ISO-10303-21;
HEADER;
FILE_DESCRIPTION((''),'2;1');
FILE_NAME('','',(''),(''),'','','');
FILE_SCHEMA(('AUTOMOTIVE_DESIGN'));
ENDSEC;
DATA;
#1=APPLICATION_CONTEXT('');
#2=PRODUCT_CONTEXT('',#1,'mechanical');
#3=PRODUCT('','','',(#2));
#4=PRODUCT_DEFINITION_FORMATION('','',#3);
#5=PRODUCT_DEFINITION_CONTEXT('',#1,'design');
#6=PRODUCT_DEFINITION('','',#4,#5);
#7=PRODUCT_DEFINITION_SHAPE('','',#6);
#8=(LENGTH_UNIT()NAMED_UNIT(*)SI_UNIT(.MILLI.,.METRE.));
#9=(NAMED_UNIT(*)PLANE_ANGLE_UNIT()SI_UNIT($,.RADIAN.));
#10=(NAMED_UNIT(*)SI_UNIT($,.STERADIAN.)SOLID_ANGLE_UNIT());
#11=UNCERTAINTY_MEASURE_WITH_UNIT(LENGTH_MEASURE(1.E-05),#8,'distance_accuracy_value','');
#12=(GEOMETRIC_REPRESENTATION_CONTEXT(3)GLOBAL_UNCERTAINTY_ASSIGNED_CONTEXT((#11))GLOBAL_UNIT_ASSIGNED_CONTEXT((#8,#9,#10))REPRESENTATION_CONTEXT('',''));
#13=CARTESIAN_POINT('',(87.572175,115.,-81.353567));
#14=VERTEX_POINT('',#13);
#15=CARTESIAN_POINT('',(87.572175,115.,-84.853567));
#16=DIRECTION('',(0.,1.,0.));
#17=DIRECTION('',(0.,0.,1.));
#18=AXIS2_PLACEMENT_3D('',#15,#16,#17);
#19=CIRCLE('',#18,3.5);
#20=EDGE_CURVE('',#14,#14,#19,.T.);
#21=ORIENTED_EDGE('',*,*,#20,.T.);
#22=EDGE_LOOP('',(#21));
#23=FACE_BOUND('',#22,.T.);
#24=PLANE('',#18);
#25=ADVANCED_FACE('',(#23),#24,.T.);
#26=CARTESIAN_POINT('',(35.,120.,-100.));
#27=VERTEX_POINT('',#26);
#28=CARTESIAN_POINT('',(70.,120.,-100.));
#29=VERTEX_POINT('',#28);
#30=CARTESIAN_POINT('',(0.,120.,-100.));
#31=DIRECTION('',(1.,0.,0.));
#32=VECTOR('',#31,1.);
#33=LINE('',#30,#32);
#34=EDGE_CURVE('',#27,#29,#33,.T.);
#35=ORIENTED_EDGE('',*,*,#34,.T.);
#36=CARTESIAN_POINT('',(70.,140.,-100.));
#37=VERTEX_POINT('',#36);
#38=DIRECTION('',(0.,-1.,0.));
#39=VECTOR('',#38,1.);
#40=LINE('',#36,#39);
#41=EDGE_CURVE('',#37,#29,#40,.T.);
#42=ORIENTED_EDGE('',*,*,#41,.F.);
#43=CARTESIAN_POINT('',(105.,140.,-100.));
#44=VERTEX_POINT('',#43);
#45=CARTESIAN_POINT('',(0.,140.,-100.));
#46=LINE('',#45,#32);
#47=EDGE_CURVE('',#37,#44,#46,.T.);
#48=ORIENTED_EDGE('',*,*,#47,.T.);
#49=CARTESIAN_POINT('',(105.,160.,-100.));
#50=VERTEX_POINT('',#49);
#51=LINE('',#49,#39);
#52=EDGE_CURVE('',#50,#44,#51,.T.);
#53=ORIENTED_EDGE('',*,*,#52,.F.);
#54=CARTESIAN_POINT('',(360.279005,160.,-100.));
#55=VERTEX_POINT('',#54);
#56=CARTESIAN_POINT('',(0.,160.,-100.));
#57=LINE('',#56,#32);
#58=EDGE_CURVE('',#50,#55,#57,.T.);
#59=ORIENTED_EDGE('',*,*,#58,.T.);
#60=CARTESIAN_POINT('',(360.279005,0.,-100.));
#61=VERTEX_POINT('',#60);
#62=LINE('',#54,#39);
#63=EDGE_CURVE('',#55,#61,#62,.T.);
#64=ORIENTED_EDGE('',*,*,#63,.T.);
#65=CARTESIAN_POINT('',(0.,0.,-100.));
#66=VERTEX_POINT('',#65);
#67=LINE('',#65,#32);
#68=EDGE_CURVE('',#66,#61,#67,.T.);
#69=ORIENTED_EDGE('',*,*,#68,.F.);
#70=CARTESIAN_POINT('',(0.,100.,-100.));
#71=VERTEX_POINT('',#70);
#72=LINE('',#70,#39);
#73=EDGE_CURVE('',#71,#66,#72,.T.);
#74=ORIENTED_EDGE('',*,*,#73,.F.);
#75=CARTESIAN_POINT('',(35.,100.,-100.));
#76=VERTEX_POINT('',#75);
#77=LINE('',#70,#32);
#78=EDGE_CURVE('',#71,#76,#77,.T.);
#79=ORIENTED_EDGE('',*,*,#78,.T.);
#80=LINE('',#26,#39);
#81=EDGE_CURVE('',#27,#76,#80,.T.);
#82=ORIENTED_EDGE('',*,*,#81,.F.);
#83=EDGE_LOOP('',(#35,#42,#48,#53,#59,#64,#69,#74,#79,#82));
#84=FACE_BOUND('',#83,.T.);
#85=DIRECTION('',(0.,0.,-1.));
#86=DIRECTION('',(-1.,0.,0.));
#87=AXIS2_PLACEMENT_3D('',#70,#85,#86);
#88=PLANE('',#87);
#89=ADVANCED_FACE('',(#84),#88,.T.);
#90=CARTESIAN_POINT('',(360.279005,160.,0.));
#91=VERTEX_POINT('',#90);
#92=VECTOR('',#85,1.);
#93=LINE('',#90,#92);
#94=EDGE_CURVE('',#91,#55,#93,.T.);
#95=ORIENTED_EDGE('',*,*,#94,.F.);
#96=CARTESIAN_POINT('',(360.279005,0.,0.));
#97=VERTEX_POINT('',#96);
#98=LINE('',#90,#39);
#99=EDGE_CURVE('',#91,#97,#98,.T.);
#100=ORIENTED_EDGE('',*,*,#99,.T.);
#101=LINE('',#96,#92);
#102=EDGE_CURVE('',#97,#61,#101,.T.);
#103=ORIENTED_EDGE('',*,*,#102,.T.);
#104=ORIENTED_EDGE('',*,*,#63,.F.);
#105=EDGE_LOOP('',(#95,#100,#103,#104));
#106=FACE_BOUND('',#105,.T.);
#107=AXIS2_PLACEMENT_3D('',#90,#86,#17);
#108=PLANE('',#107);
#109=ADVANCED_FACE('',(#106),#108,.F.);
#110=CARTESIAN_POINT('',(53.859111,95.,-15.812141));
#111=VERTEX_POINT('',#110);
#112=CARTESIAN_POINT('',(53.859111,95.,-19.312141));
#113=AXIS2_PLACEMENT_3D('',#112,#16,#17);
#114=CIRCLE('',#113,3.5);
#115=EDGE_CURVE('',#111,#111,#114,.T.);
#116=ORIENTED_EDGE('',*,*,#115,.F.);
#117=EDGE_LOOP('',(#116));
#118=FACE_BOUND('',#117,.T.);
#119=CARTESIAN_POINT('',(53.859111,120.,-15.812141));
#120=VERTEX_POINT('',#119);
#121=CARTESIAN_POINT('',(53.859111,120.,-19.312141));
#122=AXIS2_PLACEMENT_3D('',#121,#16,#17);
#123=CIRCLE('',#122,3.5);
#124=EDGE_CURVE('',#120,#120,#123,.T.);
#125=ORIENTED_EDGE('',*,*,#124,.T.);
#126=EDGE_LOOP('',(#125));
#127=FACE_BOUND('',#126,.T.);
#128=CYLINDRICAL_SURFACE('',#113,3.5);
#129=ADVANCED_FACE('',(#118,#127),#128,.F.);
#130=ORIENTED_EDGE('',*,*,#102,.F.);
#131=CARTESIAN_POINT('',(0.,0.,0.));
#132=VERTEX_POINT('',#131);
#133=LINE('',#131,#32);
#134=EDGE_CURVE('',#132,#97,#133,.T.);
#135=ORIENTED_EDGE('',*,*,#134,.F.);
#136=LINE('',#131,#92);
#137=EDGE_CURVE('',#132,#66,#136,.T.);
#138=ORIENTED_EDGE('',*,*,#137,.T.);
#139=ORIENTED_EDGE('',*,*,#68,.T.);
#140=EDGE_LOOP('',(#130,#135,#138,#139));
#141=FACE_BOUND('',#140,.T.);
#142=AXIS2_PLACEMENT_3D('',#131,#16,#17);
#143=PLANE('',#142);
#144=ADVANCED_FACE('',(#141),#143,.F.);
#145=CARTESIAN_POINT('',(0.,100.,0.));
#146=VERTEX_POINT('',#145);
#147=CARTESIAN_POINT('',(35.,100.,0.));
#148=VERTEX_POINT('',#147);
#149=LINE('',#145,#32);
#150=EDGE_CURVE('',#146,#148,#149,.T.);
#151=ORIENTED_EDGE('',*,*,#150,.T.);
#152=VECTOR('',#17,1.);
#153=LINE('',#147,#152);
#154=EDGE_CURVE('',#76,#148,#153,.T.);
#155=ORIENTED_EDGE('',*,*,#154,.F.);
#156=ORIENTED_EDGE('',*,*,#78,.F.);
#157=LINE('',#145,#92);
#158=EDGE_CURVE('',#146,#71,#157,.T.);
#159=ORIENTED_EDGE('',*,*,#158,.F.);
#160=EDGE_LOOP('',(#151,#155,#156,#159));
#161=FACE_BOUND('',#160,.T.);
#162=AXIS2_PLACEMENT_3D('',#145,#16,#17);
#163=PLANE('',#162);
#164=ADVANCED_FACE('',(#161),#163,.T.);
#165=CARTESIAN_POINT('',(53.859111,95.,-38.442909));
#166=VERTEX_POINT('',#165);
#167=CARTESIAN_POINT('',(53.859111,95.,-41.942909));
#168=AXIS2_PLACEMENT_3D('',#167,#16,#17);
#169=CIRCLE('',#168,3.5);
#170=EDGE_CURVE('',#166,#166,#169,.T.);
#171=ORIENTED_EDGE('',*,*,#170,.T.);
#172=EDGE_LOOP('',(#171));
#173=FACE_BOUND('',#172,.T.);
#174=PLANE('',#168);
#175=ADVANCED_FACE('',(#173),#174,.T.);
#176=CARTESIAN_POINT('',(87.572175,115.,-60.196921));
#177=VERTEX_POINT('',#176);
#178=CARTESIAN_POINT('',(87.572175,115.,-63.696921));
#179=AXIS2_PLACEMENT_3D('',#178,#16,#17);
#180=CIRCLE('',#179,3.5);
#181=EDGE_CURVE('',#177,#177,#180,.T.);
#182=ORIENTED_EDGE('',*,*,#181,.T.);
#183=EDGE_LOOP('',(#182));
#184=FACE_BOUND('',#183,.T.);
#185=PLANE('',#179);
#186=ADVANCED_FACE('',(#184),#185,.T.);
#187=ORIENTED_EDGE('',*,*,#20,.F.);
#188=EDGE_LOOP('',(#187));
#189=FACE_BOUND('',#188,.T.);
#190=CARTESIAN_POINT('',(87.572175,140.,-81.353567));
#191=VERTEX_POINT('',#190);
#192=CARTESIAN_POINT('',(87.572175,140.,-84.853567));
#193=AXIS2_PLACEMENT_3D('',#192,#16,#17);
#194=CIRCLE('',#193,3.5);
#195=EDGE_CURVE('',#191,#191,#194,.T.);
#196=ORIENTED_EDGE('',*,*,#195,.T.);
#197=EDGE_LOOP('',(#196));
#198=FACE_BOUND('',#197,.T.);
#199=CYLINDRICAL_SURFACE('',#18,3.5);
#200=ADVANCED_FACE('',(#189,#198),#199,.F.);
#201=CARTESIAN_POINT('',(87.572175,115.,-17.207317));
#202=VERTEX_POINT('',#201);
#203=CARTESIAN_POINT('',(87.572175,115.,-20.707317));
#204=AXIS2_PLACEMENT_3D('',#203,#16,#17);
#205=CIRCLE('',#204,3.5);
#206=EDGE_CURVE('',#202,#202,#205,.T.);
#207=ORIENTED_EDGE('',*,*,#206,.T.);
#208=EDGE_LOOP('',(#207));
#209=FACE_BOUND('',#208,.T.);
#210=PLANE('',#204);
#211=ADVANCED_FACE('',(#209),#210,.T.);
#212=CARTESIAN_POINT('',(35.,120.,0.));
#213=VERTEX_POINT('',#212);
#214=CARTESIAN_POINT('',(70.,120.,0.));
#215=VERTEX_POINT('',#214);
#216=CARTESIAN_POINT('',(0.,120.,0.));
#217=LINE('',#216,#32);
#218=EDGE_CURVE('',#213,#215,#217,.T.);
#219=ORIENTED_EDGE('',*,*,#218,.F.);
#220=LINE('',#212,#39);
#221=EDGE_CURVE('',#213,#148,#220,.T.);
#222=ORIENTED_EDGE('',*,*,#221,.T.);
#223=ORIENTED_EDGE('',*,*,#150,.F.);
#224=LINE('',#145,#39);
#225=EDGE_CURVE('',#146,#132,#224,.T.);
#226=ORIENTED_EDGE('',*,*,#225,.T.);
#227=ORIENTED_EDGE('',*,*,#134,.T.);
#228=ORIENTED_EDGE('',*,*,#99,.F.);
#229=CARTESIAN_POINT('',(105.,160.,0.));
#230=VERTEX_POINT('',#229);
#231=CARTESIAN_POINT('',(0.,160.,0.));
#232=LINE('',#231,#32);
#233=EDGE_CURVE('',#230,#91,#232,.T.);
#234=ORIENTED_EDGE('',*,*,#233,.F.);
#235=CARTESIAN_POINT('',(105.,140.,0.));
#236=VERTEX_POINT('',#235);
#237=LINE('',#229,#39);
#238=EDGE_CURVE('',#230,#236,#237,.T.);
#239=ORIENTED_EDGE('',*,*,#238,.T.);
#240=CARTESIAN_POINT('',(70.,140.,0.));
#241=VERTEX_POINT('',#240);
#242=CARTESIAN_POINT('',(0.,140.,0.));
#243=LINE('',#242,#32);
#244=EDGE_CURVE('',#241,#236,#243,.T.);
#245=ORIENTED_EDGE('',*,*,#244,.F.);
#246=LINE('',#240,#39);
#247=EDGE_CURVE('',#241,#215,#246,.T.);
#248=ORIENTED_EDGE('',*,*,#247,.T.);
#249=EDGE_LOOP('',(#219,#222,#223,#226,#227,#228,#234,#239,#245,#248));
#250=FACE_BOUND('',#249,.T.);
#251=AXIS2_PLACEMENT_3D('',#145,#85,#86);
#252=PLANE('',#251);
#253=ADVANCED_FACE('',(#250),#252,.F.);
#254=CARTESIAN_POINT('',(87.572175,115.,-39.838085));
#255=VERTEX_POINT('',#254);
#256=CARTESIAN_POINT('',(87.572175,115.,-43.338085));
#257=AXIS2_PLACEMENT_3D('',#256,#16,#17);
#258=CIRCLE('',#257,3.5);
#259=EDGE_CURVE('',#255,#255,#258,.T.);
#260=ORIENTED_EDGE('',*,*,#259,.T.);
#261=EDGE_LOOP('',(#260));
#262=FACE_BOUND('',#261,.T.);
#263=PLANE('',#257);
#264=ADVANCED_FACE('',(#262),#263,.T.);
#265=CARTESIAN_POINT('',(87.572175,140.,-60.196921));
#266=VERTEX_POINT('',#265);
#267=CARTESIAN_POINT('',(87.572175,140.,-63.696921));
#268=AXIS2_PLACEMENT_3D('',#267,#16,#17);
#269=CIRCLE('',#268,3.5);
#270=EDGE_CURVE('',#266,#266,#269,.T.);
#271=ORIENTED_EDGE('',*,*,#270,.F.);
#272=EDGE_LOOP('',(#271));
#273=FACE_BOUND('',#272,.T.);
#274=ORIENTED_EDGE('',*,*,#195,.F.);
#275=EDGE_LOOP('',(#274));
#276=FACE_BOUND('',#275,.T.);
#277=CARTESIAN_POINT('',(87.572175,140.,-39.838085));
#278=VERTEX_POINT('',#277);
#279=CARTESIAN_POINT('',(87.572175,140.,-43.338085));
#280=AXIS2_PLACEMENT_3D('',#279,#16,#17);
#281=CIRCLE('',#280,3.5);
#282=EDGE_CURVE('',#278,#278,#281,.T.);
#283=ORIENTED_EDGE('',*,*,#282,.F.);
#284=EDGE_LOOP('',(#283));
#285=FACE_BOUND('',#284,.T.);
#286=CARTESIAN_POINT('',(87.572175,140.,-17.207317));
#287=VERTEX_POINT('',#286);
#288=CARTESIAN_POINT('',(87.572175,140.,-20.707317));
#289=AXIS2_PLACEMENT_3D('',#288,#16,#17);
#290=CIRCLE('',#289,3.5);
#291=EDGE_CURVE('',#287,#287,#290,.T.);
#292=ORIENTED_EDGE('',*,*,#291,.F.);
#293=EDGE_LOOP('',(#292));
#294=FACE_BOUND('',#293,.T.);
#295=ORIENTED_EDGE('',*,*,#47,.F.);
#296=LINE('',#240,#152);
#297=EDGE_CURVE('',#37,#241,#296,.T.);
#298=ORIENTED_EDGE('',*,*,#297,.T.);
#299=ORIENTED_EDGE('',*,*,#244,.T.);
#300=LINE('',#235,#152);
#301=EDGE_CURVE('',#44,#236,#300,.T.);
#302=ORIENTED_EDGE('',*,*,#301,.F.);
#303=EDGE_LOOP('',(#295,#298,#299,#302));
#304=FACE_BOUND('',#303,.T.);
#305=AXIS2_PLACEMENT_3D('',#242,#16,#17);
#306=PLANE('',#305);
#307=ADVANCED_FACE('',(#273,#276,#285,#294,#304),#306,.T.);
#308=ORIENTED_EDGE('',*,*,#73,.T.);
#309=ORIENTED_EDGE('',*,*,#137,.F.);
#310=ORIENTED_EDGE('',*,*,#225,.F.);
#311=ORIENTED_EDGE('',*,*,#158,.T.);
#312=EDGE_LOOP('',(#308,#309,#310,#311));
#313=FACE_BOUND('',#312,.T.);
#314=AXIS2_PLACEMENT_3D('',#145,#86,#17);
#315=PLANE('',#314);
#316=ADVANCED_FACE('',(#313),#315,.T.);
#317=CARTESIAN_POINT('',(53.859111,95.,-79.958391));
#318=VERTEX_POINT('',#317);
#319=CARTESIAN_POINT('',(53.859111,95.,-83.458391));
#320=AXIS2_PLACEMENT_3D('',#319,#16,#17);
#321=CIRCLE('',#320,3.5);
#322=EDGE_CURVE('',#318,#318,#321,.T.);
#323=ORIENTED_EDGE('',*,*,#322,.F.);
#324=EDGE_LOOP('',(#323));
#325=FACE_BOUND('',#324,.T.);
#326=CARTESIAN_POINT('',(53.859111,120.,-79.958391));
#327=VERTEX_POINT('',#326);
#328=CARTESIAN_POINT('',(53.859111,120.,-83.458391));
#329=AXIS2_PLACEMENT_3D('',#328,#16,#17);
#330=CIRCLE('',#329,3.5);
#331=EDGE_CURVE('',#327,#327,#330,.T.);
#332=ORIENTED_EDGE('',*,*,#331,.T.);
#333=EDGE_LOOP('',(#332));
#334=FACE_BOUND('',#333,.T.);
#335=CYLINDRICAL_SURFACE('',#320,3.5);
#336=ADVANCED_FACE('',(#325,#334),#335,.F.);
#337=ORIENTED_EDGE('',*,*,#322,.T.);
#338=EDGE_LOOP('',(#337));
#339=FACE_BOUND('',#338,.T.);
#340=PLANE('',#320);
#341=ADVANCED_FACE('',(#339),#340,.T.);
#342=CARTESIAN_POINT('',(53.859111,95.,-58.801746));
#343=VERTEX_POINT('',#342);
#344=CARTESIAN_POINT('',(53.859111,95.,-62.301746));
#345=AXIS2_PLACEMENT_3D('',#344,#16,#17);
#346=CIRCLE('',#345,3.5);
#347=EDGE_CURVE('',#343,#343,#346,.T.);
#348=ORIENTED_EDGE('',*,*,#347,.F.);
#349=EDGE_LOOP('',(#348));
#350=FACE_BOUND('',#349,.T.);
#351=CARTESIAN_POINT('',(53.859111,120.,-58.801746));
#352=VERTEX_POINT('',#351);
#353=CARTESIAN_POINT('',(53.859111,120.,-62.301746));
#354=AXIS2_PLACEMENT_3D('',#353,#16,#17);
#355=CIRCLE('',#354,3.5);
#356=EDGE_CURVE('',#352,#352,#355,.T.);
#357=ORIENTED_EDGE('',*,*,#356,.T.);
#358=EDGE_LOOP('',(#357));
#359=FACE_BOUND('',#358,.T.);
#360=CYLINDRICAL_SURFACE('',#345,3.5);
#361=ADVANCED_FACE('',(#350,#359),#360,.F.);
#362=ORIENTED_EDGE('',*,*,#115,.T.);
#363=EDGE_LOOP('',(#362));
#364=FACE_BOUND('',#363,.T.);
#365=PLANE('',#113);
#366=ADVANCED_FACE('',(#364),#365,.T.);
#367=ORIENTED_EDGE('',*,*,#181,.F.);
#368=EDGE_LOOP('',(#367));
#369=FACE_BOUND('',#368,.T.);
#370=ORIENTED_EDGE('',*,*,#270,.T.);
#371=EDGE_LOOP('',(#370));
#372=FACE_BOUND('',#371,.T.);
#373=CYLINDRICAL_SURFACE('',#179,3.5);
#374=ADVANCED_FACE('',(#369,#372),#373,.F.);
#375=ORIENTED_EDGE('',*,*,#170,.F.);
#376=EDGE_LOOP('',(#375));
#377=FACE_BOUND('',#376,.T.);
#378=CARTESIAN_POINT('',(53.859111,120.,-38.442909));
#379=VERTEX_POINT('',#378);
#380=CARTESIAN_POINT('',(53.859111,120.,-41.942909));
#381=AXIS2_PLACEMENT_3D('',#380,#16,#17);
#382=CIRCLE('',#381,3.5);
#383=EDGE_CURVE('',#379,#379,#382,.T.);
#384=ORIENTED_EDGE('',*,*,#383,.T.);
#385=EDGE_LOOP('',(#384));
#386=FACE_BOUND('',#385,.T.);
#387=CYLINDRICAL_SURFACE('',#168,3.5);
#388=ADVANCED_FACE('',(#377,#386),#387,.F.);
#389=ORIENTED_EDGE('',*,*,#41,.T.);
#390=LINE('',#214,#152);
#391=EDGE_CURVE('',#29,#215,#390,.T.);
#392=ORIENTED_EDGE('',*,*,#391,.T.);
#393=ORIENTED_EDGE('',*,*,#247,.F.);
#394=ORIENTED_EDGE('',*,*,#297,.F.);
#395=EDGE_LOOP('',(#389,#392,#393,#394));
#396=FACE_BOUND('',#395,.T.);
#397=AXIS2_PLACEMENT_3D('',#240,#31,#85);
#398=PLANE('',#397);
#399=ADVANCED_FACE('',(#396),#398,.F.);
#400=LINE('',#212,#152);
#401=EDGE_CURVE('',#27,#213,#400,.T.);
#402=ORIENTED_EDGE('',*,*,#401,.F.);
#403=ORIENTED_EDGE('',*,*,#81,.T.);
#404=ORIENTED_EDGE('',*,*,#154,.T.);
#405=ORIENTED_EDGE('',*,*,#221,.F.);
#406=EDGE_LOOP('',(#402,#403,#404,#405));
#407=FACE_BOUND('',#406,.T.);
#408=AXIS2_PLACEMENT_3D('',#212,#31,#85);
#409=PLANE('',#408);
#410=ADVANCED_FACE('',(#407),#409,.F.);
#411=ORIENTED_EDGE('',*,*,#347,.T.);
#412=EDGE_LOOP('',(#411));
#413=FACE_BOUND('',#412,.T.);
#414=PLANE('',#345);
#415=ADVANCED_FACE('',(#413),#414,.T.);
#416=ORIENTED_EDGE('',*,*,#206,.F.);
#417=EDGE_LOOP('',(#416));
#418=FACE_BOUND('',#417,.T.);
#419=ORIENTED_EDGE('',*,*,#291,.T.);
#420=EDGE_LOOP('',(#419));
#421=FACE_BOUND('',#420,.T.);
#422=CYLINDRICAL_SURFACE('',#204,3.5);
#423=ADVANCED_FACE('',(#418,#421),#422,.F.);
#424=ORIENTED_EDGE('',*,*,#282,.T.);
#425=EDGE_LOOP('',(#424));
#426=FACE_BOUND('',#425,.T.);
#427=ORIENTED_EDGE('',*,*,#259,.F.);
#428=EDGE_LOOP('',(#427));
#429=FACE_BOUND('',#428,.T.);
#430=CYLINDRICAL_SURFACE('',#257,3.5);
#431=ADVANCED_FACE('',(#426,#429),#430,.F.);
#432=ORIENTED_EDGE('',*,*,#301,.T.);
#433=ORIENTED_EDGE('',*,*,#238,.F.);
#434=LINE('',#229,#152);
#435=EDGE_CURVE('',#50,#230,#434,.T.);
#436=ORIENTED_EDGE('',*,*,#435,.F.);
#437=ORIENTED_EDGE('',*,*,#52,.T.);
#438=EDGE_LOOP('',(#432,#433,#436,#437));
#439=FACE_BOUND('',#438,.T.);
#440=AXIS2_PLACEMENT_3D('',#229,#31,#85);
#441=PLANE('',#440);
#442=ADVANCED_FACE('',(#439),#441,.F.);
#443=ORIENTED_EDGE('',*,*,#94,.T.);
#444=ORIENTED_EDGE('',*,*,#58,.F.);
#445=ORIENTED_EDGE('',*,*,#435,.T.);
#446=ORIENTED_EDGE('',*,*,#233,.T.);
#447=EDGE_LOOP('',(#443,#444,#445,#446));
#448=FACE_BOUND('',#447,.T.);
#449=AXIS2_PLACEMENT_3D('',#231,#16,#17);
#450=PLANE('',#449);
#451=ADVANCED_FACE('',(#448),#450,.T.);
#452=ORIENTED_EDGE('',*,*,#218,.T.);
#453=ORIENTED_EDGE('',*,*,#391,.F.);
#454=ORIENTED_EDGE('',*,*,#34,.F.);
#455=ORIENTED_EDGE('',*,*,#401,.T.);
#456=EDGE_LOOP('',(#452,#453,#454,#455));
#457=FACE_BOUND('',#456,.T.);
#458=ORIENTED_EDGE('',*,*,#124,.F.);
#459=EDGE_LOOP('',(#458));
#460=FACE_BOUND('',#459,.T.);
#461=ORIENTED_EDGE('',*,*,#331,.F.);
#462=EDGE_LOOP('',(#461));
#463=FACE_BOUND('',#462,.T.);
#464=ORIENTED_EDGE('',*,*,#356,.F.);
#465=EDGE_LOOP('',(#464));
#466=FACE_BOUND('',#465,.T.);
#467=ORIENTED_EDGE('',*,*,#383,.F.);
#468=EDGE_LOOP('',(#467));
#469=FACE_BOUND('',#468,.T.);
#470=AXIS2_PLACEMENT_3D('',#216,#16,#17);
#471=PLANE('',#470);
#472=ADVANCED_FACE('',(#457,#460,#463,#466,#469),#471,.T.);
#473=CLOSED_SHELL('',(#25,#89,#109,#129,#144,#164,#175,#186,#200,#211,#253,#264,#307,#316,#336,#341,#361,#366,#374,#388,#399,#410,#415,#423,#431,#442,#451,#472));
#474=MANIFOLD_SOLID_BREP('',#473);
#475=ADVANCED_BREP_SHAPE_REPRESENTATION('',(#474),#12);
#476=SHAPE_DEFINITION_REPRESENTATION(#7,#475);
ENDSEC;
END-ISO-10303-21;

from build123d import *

# Parameters (mm, degrees)
SKETCH_1_W          = 35
SKETCH_1_H          = 100
EXTRUDE_1_DEPTH     = 100
SKETCH_1_3_W        = 35
SKETCH_1_3_H        = 100
EXTRUDE_2_DEPTH     = 120
SKETCH_1_4_W        = 35
SKETCH_1_4_H        = 100
EXTRUDE_3_DEPTH     = 140
SKETCH_1_5_W        = 195.279005499
SKETCH_1_5_H        = 100
EXTRUDE_4_DEPTH     = 160
SKETCH_1_6_W        = 60
SKETCH_1_6_H        = 100
EXTRUDE_5_DEPTH     = 160
SKETCH_17_R         = 3.5
CUT_EXTRUDE_4_DEPTH = 25
SKETCH_18_R         = 3.5
CUT_EXTRUDE_5_DEPTH = 25


with BuildPart() as part:
    # Эскиз1 → Бобышка-Вытянуть1 (new body)
    with BuildSketch(Plane(origin=(0, 0, 0), x_dir=(1, 0, 0), z_dir=(0, 1, 0))):
        with Locations((17.5, 50)):
            Rectangle(SKETCH_1_W, SKETCH_1_H)
    extrude(amount=EXTRUDE_1_DEPTH)

    # Эскиз1<3> → Бобышка-Вытянуть2 (add)
    with BuildSketch(Plane(origin=(0, 0, 0), x_dir=(1, 0, 0), z_dir=(0, 1, 0))):
        with Locations((52.5, 50)):
            Rectangle(SKETCH_1_3_W, SKETCH_1_3_H)
    extrude(amount=EXTRUDE_2_DEPTH)

    # Эскиз1<4> → Бобышка-Вытянуть3 (add)
    with BuildSketch(Plane(origin=(0, 0, 0), x_dir=(1, 0, 0), z_dir=(0, 1, 0))):
        with Locations((87.5, 50)):
            Rectangle(SKETCH_1_4_W, SKETCH_1_4_H)
    extrude(amount=EXTRUDE_3_DEPTH)

    # Эскиз1<5> → Бобышка-Вытянуть4 (add)
    with BuildSketch(Plane(origin=(0, 0, 0), x_dir=(1, 0, 0), z_dir=(0, 1, 0))):
        with Locations((202.639502749, 50)):
            Rectangle(SKETCH_1_5_W, SKETCH_1_5_H)
    extrude(amount=EXTRUDE_4_DEPTH)

    # Эскиз1<6> → Бобышка-Вытянуть5 (add)
    with BuildSketch(Plane(origin=(0, 0, 0), x_dir=(1, 0, 0), z_dir=(0, 1, 0))):
        with Locations((330.279005499, 50)):
            Rectangle(SKETCH_1_6_W, SKETCH_1_6_H)
    extrude(amount=EXTRUDE_5_DEPTH)

    # Эскиз17 → Вырез-Вытянуть4 (cut)
    with BuildSketch(Plane(origin=(0, 120, 0), x_dir=(1, 0, 0), z_dir=(0, 1, 0))):
        with Locations((53.859111314, 83.458390634)):
            Circle(SKETCH_17_R)
        with Locations((53.859111314, 62.301745528)):
            Circle(SKETCH_17_R)
        with Locations((53.859111314, 41.942908687)):
            Circle(SKETCH_17_R)
        with Locations((53.859111314, 19.312140714)):
            Circle(SKETCH_17_R)
    extrude(amount=-CUT_EXTRUDE_4_DEPTH, mode=Mode.SUBTRACT)

    # Эскиз18 → Вырез-Вытянуть5 (cut)
    with BuildSketch(Plane(origin=(0, 140, 0), x_dir=(1, 0, 0), z_dir=(0, 1, 0))):
        with Locations((87.572175359, 84.853566518)):
            Circle(SKETCH_18_R)
        with Locations((87.572175359, 63.696921411)):
            Circle(SKETCH_18_R)
        with Locations((87.572175359, 43.338084571)):
            Circle(SKETCH_18_R)
        with Locations((87.572175359, 20.707316598)):
            Circle(SKETCH_18_R)
    extrude(amount=-CUT_EXTRUDE_5_DEPTH, mode=Mode.SUBTRACT)


solid = part.part
